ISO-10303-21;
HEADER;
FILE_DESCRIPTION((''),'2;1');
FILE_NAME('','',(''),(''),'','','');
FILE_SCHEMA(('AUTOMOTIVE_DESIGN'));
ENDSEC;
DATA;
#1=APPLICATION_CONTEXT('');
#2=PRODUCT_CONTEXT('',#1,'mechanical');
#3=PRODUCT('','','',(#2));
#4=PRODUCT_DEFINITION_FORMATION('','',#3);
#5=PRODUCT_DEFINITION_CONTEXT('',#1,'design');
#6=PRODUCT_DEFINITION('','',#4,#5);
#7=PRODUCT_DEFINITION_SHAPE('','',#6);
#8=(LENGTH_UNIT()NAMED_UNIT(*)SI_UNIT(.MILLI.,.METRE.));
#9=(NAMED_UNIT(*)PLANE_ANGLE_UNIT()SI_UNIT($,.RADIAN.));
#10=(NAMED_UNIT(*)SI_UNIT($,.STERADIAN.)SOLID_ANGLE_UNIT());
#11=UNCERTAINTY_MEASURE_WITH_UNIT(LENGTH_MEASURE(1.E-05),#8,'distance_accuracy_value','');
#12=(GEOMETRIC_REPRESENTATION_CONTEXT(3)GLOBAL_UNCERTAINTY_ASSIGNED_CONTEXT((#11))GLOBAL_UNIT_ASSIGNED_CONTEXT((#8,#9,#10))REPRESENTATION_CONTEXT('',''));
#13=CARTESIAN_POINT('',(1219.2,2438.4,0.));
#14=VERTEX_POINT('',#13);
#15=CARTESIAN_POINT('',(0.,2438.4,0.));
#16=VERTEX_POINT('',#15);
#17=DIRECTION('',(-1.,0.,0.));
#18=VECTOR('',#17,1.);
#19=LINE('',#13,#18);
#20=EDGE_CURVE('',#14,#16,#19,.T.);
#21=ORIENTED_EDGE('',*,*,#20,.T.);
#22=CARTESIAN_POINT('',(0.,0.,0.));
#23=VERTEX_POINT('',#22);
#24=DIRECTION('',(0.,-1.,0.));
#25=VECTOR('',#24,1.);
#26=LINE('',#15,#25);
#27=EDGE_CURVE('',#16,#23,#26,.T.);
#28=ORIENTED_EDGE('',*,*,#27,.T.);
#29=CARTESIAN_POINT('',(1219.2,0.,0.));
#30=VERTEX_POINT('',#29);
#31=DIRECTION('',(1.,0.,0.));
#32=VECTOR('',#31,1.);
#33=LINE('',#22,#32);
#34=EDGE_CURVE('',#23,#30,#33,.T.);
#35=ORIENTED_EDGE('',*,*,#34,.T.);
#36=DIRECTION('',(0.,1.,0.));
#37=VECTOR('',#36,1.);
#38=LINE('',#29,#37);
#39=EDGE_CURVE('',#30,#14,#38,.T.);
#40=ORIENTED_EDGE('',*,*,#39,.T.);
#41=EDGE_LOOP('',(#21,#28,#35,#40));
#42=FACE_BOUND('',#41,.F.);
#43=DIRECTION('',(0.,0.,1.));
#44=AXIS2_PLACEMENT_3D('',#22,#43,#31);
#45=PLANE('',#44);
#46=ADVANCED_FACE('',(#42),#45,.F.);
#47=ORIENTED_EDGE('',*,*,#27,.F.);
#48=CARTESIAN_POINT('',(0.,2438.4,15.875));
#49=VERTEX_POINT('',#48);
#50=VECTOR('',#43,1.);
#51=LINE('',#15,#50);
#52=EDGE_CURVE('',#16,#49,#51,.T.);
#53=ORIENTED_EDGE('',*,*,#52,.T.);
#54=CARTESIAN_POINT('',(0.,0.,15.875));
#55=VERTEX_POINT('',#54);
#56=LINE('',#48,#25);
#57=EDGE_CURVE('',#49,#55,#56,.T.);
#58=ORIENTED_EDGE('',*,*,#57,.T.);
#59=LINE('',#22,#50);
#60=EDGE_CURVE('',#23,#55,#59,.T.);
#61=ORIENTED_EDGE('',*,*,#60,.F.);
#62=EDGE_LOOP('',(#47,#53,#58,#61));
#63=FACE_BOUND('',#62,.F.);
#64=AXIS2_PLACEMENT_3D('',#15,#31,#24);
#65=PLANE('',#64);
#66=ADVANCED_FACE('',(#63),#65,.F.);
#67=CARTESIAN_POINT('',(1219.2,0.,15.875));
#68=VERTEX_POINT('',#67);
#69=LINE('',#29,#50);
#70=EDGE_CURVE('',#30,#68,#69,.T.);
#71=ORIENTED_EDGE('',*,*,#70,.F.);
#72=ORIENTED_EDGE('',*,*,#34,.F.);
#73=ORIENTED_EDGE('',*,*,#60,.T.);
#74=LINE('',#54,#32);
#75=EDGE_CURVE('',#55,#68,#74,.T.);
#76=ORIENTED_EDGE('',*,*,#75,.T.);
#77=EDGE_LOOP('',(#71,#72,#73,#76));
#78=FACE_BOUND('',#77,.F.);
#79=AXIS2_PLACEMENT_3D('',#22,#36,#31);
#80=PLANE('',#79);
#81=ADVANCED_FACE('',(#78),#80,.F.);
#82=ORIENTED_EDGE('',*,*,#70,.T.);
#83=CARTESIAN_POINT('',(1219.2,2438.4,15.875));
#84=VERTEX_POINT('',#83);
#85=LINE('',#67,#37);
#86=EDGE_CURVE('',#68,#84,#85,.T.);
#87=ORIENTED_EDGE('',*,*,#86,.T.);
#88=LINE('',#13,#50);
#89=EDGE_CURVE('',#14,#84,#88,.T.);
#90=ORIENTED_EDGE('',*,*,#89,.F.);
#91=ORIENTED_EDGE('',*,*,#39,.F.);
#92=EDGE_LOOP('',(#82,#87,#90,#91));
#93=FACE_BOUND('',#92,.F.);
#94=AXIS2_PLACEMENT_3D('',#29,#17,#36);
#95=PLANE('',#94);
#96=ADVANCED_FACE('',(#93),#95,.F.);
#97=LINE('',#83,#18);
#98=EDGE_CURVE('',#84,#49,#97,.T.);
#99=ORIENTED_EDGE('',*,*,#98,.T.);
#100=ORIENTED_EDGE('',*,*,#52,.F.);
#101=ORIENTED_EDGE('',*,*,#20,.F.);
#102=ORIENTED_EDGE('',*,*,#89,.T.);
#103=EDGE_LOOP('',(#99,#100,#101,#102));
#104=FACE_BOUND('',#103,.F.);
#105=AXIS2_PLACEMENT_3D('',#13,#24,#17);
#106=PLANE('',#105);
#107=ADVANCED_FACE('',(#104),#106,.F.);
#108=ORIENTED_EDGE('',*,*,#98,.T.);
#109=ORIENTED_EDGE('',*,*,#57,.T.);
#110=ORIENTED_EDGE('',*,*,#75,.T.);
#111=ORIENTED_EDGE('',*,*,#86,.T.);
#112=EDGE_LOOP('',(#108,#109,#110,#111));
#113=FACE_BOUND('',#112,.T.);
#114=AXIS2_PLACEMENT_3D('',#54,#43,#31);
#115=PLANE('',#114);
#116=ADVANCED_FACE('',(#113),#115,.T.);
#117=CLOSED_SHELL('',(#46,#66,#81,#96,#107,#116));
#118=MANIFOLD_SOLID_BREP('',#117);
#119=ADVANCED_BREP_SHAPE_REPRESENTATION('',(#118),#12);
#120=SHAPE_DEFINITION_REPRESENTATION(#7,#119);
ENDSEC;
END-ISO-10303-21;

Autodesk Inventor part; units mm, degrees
ref_plane "YZ Plane" through (0, 0, 0) normal (1, 0, 0) x (0, 1, 0)
ref_plane "XZ Plane" through (0, 0, 0) normal (0, 1, 0) x (-1, 0, 0)
ref_plane "XY Plane" through (0, 0, 0) normal (0, 0, 1) x (1, 0, 0)
sketch "Sketch1" plane through (0, 0, 0) normal (0, 0, 1) x (1, 0, 0)
  line L0 (0, 0) -> (1219.2, 0)
  line L1 (1219.2, 0) -> (1219.2, 2438.4)
  line L2 (1219.2, 2438.4) -> (0, 2438.4)
  line L3 (0, 2438.4) -> (0, 0)
  dimension "d2" = 2438.4
  dimension "d3" = 1219.2
extrude "Extrusion1" add sketch "Sketch1" along normal blind 15.875
properties part number "Sheathing"
